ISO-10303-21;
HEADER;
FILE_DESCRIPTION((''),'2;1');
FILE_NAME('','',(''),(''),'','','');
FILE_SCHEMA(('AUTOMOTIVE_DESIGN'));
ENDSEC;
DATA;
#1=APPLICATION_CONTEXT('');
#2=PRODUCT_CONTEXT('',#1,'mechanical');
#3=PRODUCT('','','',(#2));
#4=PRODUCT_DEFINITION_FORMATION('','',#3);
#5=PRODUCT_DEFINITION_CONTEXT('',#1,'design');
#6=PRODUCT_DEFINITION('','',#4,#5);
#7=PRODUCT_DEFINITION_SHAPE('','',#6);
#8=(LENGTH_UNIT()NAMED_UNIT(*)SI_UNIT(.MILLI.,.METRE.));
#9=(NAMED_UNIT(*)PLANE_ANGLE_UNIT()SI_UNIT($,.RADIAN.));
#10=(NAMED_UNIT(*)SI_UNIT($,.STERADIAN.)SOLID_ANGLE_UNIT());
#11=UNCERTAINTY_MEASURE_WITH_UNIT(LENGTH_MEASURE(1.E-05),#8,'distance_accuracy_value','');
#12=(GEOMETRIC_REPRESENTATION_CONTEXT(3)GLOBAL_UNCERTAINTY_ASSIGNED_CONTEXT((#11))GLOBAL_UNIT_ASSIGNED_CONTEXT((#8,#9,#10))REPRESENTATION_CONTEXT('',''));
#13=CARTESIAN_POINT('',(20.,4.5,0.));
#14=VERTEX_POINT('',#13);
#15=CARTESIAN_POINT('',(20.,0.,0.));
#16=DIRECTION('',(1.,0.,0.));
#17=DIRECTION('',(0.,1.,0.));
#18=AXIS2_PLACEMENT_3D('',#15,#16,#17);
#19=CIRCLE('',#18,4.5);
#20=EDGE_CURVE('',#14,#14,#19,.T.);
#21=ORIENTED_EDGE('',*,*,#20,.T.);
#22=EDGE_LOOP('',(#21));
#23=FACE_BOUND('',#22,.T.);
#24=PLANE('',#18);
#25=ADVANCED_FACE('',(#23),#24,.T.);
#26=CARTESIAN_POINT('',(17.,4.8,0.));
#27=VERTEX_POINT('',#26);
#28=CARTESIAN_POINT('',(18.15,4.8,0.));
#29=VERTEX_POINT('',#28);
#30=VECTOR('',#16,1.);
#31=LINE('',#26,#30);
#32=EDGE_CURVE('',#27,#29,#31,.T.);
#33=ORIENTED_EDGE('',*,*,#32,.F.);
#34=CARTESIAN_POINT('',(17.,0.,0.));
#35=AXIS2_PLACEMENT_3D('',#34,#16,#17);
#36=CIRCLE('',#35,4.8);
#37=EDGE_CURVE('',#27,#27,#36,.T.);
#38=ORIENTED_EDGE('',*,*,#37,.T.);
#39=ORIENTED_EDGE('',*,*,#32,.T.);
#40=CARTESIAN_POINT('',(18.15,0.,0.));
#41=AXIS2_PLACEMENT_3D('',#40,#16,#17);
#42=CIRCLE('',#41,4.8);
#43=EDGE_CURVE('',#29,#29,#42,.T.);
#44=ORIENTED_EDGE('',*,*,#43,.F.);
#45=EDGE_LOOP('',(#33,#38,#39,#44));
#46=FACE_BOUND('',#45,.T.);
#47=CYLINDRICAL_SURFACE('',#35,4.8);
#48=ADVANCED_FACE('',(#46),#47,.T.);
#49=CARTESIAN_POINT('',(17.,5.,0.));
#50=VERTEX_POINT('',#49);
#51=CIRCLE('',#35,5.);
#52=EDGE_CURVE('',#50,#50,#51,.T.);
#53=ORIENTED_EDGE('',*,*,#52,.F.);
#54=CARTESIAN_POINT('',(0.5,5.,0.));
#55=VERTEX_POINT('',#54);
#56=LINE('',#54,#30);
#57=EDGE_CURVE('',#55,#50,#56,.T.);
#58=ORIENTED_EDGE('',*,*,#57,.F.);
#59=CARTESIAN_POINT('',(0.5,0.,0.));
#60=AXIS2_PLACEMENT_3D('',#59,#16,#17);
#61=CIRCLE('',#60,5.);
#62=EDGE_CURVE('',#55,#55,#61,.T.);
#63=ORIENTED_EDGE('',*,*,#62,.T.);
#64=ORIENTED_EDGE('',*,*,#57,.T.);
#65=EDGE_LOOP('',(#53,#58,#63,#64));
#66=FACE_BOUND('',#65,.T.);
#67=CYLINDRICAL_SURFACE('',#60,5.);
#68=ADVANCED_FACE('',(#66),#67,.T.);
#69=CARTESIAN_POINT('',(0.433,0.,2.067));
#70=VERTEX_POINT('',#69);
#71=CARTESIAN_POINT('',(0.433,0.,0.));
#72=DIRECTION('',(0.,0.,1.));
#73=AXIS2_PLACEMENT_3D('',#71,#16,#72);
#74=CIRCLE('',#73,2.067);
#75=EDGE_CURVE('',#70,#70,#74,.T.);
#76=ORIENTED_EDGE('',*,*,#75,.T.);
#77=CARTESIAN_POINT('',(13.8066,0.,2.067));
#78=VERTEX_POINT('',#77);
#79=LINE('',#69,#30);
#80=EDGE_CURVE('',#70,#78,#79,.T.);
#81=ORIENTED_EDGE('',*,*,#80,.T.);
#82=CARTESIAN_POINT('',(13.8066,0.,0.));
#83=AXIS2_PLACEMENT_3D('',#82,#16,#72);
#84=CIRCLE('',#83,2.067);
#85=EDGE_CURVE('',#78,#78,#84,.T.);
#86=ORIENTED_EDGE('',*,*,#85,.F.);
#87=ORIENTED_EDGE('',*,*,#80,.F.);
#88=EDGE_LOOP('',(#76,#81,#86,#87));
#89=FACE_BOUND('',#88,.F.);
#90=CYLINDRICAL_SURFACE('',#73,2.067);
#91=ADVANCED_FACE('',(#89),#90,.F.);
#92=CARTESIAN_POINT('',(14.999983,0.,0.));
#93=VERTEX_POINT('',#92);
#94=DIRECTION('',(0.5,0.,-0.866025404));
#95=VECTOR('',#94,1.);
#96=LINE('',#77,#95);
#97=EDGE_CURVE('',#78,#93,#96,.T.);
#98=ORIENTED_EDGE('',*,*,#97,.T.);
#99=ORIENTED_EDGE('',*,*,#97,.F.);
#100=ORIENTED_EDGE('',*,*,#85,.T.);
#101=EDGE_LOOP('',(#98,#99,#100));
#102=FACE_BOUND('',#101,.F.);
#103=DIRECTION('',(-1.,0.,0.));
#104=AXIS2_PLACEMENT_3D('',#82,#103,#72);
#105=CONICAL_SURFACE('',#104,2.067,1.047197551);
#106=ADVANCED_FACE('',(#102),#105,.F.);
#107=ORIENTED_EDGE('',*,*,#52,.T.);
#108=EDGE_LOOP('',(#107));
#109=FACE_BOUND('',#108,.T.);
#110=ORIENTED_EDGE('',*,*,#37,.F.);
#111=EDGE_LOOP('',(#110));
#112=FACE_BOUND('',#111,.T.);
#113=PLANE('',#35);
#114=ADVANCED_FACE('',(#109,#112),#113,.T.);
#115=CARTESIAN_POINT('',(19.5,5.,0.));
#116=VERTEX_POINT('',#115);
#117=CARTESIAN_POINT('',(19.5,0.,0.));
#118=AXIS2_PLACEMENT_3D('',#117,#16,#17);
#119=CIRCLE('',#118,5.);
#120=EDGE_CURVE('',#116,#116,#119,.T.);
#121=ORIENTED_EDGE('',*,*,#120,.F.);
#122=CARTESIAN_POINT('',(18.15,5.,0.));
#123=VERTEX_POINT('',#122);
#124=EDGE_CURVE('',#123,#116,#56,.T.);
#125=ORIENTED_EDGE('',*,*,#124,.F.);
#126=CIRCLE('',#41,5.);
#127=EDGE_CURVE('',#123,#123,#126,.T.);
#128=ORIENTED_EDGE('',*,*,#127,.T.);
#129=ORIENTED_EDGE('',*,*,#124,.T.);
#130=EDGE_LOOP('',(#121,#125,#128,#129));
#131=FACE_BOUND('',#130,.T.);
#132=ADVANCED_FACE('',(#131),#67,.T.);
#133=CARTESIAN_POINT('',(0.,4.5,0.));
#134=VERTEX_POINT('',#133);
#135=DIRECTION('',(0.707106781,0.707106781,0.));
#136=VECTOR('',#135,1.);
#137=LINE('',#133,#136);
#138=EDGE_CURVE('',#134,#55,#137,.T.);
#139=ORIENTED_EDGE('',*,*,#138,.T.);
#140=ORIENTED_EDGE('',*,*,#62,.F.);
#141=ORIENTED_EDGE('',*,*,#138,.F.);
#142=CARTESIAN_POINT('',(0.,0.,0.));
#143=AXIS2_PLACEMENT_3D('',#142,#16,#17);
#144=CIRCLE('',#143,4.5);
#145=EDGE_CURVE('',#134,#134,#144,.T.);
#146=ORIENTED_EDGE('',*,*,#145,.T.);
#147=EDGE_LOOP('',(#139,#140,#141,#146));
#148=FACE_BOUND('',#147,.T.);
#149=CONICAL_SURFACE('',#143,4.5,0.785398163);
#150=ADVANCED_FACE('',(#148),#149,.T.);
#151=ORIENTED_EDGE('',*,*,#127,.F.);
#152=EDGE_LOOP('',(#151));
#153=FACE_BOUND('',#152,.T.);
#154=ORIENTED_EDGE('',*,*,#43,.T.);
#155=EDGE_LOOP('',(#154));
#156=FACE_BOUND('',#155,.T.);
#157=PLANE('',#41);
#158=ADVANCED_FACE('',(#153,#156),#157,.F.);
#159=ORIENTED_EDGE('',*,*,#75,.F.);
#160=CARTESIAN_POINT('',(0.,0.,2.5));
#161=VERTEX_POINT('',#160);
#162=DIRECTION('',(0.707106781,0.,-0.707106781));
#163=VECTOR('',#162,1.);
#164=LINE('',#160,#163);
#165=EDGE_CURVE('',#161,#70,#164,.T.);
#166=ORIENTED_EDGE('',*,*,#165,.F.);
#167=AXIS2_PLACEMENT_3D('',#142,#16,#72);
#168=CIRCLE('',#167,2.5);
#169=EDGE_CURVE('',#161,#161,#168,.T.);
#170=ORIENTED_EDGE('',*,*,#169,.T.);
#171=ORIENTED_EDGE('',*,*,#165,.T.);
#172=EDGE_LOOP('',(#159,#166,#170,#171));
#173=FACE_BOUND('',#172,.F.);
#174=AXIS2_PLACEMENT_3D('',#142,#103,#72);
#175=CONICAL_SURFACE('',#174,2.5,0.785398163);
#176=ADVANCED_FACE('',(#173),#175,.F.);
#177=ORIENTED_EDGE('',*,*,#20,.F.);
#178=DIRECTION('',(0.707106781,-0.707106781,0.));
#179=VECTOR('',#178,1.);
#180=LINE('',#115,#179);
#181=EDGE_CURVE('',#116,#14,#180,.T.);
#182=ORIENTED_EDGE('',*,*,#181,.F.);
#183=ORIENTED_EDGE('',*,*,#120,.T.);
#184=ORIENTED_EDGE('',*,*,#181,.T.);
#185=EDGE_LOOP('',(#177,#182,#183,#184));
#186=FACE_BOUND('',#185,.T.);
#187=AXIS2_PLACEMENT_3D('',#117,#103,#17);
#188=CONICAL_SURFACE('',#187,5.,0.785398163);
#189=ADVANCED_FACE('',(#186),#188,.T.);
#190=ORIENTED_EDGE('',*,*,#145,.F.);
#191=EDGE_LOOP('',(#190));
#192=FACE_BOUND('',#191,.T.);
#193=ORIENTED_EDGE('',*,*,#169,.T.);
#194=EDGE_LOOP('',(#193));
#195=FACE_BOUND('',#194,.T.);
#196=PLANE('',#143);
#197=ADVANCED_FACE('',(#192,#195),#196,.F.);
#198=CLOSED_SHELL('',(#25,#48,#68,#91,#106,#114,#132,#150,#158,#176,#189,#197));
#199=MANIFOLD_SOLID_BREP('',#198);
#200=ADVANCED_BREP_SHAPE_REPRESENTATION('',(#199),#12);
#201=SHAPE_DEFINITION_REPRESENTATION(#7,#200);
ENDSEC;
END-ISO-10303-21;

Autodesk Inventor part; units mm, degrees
sketch "Sketch_1" plane through (0, 0, 0) normal (0, 0, 1) x (1, 0, 0)
  line L0 (20, 0) -> (0, 0)
  line L1 (0, 0) -> (0, 4.5)
  line L2 (0, 4.5) -> (0.5, 5)
  line L3 (0.5, 5) -> (19.5, 5)
  line L4 (19.5, 5) -> (20, 4.5)
  line L5 (20, 4.5) -> (20, 0)
  line L6 (20, 0) -> (0, 0)
revolve "Revolution1" add sketch "Sketch_1" angle 360 about axis through (20, 0, 0) along (1, 0, 0)
sketch "Sketch2" plane through (0, 0, 0) normal (-1, 0, 0) x (0, 0, 1)
  point P0 (0, 0)
hole "Hole1" at (0, 0, 0) direction (1, 0, 0) diameter 4.134 depth 13.8066 tip angle 120 countersink diameter 5 countersink angle 90 thread size "M5x0.8" class "6H" standard "ISO Metric profile"
sketch "Sketch_20" plane through (0, 0, 0) normal (0, 0, 1) x (1, 0, 0)
  line L0 (20, 0) -> (-20, 0)
  line L1 (17, 9.6) -> (17, 4.8)
  line L2 (17, 4.8) -> (18.15, 4.8)
  line L3 (18.15, 4.8) -> (18.15, 9.6)
  line L4 (18.15, 9.6) -> (17, 9.6)
revolve "Revolution2" cut sketch "Sketch_20" angle 360 about axis through (20, 0, 0) along (1, 0, 0)
ref_plane "to_ring_F_R_XY" through (17.575, 0, 0) normal (1, 0, 0) x (0, 0, -1)
ref_plane "to_ring_F_R_YZ" through (17.575, 0, 0) normal (0, 0, -1) x (0, 1, 0)
ref_plane "to_ring_F_R_ZX" through (17.575, 0, 0) normal (0, 1, 0) x (1, 0, 0)
properties part number "SSFRBF-D10-L20-M5-U3"
